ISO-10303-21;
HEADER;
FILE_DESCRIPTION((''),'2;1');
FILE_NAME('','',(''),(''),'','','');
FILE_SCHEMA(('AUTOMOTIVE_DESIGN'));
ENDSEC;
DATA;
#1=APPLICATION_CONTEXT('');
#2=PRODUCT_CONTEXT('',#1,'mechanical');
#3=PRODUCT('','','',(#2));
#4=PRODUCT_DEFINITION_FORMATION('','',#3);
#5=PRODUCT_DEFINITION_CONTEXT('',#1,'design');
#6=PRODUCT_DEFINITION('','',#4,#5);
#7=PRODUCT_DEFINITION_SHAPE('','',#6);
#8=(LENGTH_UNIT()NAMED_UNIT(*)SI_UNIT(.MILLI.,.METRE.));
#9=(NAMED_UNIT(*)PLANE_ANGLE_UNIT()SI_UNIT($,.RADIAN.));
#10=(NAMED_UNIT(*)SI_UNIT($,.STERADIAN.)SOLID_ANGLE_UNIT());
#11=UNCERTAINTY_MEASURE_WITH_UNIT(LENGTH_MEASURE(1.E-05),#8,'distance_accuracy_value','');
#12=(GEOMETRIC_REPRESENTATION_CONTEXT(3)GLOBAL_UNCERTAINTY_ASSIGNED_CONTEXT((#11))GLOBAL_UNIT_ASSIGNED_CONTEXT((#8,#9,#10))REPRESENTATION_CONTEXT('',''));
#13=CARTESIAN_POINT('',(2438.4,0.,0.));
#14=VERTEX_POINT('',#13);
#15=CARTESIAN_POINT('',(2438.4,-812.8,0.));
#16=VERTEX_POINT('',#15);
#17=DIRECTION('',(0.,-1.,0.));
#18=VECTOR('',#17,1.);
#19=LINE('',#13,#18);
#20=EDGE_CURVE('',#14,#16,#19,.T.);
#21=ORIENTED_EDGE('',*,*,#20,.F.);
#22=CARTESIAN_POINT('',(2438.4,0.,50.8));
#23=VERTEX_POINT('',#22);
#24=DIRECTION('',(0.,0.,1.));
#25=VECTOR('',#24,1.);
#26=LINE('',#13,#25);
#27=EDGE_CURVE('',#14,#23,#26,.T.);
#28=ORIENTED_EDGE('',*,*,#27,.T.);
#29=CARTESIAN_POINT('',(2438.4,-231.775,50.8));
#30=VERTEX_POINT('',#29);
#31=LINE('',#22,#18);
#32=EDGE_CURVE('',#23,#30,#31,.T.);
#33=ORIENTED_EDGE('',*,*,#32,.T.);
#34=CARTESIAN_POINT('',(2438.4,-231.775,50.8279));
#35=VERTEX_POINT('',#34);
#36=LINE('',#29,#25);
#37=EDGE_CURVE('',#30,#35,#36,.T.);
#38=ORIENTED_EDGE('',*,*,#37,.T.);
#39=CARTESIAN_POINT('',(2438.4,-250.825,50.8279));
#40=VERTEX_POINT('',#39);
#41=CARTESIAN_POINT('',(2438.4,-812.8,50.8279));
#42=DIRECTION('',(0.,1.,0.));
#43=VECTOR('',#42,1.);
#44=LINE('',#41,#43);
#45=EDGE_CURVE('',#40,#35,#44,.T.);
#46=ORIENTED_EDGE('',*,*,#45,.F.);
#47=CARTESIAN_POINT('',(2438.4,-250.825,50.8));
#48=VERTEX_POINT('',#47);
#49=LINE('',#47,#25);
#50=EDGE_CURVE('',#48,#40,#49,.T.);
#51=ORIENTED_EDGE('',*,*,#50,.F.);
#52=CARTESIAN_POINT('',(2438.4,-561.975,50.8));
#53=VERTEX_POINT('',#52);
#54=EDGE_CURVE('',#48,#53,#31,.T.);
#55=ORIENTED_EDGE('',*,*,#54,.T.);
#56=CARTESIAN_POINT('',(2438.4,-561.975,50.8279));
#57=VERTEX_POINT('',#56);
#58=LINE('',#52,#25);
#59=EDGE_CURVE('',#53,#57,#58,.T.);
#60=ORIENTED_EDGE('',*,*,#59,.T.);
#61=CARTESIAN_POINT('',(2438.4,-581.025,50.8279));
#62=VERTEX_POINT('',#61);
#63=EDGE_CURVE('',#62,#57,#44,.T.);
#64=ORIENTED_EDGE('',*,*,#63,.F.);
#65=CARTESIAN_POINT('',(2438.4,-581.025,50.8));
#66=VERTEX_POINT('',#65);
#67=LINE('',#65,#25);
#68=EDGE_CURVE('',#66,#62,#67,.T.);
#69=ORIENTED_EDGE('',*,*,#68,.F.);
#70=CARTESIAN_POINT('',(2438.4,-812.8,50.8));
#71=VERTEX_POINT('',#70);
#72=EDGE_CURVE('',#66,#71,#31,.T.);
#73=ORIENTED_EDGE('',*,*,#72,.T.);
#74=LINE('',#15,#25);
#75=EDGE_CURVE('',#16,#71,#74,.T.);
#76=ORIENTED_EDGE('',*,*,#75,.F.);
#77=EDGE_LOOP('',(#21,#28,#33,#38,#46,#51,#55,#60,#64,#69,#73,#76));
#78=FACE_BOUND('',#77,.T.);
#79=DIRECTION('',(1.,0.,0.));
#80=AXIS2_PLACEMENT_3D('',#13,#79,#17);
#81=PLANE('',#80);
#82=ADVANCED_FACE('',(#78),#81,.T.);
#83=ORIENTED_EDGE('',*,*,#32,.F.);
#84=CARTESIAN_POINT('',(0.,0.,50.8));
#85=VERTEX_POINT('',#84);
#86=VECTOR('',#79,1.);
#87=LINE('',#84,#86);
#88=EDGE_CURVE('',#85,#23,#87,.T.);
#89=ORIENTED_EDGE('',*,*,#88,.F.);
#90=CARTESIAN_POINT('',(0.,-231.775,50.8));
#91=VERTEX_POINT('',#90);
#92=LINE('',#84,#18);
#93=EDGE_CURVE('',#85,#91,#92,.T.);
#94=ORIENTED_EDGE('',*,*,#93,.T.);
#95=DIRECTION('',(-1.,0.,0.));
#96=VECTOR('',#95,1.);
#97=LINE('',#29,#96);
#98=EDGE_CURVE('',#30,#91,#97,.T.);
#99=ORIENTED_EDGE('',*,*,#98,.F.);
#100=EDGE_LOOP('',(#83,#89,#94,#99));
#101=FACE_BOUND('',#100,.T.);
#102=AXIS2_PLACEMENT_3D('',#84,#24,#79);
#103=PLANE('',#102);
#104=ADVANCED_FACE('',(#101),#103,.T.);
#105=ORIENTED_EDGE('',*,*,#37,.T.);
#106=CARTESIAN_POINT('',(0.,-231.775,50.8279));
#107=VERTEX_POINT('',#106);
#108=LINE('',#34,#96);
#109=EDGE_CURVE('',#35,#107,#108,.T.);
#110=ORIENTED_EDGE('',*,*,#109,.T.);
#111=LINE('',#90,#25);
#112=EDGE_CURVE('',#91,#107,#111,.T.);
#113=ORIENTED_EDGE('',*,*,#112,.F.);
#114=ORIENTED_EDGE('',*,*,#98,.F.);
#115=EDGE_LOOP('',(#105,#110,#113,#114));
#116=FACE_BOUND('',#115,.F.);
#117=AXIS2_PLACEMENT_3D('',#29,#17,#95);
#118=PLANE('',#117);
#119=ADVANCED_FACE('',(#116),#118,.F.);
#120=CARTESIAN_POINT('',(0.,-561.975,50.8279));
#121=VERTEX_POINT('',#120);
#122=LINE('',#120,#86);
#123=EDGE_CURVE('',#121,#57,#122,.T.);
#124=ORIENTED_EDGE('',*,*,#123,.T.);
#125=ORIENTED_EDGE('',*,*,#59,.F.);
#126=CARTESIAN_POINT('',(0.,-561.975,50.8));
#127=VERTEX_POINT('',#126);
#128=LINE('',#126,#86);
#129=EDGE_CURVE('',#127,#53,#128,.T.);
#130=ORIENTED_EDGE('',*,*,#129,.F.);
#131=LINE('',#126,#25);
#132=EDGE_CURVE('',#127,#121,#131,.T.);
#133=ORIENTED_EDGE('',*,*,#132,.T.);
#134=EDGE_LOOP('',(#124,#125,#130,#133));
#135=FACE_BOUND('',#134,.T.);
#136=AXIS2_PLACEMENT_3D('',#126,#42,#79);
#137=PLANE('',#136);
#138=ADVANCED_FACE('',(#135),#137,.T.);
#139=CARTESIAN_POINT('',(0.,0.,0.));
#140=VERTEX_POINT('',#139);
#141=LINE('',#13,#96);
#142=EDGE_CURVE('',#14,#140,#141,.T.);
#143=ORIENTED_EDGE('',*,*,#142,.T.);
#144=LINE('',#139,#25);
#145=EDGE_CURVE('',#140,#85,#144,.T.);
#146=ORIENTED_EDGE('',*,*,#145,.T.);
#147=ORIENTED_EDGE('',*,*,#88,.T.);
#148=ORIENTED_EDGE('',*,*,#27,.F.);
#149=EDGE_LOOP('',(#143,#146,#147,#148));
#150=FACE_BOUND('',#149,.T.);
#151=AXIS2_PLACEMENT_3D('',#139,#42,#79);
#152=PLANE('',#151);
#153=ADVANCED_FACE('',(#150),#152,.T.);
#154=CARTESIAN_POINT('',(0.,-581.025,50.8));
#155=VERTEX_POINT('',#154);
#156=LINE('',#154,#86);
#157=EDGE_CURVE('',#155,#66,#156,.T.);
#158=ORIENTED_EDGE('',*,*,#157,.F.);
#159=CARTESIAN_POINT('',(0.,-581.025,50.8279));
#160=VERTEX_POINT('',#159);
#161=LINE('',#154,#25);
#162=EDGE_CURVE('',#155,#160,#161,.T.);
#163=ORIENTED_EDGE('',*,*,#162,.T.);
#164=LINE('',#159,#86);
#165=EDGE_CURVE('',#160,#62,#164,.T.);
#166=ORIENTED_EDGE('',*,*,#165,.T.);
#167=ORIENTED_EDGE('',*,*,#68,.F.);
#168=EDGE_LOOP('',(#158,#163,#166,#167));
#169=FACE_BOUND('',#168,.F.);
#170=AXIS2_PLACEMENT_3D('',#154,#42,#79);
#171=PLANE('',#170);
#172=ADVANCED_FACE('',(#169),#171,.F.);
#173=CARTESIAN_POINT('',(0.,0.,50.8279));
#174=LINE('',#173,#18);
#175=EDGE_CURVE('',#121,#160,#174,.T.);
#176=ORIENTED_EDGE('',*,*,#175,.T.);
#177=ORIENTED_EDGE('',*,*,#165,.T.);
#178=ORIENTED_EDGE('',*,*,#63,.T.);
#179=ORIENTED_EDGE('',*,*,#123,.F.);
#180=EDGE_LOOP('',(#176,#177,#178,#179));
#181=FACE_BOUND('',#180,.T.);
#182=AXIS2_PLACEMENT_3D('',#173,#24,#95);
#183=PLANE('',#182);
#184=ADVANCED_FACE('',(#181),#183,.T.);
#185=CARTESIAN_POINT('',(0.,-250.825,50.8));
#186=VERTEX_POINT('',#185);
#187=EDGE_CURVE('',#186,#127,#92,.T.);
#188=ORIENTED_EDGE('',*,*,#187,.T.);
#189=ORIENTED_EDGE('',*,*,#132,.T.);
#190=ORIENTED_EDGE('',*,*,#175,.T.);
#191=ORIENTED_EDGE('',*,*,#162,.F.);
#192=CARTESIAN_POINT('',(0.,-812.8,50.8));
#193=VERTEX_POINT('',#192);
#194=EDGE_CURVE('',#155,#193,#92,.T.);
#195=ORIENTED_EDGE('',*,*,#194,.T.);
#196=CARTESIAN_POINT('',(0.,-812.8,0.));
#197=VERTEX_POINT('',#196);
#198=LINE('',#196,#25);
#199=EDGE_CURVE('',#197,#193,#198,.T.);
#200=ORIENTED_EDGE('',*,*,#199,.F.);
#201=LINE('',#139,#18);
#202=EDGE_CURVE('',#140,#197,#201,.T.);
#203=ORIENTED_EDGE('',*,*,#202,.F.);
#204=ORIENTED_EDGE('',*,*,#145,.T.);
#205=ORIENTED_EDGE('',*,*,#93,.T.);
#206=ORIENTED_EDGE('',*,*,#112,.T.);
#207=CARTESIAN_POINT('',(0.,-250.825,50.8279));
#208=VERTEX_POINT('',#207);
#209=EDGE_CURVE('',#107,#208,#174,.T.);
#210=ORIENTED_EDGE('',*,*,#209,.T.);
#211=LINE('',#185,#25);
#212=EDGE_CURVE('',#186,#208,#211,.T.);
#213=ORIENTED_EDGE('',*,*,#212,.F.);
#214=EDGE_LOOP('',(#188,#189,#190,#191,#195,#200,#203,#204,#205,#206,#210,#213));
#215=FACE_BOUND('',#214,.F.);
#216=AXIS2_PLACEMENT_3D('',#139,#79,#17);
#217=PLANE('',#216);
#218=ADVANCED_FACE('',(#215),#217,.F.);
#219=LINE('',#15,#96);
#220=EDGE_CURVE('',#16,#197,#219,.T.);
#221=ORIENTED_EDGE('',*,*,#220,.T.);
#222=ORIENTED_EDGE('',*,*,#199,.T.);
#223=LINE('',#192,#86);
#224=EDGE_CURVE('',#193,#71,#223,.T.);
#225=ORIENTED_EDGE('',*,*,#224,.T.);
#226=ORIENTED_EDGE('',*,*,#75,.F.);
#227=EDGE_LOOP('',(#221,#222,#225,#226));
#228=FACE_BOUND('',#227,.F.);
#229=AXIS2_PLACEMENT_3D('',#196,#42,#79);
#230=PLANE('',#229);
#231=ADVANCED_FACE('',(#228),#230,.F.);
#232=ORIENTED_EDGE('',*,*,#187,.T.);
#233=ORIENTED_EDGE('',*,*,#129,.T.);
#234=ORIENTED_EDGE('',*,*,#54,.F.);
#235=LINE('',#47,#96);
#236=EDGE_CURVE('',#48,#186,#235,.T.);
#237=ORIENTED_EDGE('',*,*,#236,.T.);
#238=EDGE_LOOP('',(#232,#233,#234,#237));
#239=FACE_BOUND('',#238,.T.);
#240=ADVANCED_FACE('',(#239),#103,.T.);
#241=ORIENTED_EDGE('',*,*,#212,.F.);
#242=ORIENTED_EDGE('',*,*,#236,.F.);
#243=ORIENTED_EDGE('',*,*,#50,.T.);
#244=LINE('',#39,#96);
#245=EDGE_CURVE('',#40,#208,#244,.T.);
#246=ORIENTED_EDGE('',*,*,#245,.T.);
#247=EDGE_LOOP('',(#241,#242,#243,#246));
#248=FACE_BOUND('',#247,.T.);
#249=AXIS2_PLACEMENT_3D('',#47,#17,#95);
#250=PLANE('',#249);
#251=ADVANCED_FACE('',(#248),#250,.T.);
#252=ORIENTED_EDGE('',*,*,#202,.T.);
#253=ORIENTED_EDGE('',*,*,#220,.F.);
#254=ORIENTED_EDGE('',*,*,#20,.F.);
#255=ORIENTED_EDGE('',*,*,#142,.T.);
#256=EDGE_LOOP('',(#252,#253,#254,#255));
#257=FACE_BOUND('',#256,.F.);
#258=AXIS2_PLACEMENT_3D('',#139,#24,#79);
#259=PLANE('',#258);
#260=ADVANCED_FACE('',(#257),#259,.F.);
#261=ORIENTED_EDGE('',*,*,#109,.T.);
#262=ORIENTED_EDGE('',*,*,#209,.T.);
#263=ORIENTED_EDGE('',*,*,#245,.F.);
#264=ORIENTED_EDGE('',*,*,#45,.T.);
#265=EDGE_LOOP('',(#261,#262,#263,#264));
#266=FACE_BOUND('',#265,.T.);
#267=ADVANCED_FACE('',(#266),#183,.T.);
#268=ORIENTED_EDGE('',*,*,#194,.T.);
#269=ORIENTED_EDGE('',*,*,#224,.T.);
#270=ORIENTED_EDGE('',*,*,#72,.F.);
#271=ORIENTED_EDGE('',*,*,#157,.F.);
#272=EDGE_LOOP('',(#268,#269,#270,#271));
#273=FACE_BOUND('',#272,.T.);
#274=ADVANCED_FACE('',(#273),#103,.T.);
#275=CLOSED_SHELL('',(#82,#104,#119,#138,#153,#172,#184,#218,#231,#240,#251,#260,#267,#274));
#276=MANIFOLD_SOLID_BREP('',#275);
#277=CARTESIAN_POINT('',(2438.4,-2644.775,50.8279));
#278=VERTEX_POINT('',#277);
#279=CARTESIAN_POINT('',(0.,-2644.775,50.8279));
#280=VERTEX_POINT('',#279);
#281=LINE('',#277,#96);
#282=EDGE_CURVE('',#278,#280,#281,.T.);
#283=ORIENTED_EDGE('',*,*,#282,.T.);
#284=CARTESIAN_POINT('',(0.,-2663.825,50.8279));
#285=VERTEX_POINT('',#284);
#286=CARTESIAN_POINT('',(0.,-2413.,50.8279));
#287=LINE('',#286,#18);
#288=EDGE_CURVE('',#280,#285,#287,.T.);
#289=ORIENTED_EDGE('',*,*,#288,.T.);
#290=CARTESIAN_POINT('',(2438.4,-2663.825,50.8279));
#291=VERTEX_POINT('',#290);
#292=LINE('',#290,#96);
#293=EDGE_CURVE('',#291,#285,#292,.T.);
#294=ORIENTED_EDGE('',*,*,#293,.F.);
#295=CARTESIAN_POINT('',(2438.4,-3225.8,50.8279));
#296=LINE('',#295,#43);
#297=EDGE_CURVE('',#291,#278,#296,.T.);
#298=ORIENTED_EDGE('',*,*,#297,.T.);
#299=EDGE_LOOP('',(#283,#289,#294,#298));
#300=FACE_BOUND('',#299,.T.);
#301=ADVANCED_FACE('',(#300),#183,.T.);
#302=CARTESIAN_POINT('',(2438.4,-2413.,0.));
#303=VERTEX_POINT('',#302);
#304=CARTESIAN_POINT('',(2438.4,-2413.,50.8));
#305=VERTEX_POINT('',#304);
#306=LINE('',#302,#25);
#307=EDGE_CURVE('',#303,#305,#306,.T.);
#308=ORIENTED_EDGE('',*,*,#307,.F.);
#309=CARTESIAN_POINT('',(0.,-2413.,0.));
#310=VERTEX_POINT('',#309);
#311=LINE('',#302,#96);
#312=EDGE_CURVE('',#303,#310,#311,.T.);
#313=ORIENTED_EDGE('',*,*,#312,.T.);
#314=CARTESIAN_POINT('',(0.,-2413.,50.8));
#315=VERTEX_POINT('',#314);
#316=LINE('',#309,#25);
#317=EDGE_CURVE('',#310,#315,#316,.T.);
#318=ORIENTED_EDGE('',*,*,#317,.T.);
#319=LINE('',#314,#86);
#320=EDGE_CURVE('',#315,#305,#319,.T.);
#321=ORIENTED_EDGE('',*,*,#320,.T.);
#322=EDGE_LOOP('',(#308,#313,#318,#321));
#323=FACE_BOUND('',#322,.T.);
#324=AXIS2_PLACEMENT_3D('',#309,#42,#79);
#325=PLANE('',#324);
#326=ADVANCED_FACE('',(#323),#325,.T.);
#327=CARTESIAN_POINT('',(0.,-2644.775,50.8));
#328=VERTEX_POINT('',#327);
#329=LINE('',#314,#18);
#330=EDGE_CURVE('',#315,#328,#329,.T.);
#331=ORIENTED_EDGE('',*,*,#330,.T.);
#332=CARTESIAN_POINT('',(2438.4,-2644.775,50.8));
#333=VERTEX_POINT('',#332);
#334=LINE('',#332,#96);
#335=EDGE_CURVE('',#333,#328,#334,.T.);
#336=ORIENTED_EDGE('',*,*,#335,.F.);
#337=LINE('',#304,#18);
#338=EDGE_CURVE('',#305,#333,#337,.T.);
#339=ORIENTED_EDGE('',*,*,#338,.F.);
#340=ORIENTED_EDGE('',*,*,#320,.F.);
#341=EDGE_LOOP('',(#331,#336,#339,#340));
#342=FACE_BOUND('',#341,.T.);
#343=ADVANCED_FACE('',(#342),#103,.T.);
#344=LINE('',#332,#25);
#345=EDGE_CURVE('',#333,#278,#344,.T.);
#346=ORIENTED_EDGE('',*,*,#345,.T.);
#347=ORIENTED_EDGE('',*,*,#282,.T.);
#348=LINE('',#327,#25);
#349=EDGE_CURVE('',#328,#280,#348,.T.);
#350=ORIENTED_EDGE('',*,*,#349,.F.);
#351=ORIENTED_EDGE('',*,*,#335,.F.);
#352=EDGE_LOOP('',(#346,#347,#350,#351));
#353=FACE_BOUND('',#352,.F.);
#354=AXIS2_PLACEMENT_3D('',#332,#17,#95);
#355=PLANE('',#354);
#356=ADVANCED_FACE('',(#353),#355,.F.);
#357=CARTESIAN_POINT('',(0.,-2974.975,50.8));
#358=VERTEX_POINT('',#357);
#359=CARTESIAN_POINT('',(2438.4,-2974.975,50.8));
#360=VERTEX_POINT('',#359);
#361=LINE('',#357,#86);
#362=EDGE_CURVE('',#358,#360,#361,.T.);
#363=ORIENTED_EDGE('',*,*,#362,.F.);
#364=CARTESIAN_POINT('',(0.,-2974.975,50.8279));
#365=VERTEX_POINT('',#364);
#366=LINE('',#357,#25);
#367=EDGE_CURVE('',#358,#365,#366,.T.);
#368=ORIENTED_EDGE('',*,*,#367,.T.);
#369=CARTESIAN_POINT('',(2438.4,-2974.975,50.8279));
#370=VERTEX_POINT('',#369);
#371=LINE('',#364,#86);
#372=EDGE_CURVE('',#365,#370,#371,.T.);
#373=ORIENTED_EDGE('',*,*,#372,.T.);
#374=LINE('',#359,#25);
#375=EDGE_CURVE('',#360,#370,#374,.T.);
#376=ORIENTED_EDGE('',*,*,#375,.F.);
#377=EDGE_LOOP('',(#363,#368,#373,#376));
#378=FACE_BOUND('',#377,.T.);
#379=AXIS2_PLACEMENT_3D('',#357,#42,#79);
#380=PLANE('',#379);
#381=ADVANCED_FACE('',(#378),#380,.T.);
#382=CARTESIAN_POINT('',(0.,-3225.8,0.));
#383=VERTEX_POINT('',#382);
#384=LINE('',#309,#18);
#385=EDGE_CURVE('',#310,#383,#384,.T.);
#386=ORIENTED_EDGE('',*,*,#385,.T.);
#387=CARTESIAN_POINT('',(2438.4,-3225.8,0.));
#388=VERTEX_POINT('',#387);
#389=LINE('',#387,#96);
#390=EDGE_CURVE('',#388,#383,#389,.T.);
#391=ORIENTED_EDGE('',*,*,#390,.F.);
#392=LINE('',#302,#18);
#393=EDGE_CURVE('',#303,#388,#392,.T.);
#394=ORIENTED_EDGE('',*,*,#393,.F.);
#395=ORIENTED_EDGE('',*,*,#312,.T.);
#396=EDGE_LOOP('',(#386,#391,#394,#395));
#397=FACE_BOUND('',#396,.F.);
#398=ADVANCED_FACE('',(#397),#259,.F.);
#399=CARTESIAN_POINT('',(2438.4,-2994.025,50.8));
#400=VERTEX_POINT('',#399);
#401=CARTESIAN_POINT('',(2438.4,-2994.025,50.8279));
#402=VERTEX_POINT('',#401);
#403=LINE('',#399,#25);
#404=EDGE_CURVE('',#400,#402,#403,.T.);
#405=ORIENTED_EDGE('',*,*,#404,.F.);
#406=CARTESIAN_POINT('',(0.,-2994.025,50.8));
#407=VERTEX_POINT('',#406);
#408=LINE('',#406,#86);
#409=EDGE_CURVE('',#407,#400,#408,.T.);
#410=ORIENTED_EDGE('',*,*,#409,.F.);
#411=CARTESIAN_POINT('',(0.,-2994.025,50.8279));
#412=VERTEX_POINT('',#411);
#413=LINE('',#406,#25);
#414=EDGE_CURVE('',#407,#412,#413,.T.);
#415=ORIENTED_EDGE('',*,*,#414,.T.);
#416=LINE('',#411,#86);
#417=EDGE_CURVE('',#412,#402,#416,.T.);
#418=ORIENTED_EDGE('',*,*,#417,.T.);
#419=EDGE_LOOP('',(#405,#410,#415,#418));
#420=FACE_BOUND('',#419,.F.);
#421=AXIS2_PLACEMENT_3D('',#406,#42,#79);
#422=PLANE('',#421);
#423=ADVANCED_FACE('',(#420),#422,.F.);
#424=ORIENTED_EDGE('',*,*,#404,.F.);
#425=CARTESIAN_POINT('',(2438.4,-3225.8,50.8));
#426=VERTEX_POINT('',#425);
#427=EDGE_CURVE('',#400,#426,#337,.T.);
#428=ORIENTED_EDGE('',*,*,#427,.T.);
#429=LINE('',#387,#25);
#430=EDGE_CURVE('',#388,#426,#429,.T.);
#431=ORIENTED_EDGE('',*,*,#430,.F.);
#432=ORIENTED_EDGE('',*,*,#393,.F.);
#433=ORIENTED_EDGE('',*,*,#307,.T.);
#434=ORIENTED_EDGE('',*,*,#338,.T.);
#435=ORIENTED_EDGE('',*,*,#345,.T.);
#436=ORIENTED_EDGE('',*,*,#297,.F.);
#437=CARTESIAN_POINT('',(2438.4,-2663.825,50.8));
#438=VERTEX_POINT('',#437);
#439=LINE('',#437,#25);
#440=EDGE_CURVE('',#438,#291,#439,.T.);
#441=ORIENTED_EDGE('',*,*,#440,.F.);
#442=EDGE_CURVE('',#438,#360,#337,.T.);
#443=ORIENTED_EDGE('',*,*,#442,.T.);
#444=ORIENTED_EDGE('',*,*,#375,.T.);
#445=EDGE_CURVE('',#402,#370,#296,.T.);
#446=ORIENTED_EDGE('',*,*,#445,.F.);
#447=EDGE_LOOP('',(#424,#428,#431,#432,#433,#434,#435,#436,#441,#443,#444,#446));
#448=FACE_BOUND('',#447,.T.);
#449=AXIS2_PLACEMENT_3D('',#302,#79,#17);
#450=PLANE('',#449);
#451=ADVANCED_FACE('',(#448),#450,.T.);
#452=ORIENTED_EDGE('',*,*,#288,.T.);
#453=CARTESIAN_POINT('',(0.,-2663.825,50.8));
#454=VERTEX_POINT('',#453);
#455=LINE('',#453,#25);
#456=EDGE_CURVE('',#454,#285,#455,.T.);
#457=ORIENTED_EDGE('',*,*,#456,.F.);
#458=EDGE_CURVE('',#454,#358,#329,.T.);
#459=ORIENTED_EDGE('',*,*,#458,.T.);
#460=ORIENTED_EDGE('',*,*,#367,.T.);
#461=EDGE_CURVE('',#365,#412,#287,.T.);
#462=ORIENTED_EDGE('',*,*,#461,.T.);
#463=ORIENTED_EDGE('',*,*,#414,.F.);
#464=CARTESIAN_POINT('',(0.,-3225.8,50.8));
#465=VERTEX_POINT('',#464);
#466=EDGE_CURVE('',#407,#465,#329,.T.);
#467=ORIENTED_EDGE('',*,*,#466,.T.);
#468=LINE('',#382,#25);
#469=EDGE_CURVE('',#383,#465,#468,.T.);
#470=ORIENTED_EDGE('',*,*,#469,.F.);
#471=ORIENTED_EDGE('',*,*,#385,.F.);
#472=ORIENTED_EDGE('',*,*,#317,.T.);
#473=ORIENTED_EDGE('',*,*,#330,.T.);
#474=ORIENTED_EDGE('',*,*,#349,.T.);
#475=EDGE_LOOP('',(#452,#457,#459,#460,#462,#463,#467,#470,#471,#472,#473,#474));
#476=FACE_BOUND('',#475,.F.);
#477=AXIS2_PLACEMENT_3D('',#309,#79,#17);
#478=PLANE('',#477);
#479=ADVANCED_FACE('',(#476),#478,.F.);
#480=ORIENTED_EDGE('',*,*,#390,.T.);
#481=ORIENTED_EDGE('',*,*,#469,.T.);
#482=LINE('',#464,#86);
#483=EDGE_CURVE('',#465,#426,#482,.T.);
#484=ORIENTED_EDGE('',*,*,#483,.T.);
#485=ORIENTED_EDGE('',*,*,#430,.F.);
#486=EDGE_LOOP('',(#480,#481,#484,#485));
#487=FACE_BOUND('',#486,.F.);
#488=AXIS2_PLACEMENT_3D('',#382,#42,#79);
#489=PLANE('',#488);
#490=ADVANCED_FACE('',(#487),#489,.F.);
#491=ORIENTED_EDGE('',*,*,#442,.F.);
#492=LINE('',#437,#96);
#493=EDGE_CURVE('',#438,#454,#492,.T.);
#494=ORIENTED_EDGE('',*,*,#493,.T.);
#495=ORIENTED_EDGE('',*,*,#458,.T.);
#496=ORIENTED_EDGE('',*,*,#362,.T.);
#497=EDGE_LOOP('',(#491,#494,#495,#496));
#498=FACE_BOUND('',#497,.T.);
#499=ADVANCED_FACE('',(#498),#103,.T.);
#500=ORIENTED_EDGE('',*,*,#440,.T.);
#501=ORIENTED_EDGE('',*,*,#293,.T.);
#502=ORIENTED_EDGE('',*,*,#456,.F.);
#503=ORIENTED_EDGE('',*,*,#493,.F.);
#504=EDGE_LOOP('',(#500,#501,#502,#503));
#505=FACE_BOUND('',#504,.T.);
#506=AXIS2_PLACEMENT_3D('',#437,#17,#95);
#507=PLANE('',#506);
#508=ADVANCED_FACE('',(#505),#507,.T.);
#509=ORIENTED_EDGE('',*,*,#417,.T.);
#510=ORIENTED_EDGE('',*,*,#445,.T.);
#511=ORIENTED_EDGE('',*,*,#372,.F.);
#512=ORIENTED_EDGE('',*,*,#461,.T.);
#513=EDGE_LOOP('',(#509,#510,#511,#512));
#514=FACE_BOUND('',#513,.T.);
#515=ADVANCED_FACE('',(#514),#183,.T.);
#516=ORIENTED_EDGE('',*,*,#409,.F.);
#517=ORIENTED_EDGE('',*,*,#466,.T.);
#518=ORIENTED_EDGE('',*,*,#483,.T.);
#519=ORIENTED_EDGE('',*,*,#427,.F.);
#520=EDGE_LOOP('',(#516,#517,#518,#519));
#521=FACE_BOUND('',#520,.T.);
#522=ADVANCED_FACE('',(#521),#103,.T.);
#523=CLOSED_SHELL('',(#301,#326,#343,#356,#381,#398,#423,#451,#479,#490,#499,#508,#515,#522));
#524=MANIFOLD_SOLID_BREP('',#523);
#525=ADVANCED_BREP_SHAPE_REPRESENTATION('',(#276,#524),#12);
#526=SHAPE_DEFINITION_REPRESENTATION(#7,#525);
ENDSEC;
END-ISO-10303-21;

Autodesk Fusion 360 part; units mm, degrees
sketch "Sketch1" plane through (0, 0, 0) normal (0, 0, 1) x (1, 0, 0)
  line L0 (0, 0) -> (0, -812.8)
  line L1 (0, -812.8) -> (0, -2413)
  line L2 (0, -2413) -> (0, -3225.8)
  line L3 (0, 0) -> (1219.2, 0)
  line L4 (1219.2, 0) -> (0, 0)
  line L5 (0, 0) -> (0, -812.8)
  line L6 (0, -812.8) -> (1219.2, -812.8)
  line L7 (1219.2, -812.8) -> (1219.2, 0)
  line L8 (0, -3225.8) -> (1219.2, -3225.8)
  line L9 (1219.2, -3225.8) -> (0, -3225.8)
  line L10 (0, -3225.8) -> (0, -2413)
  line L11 (0, -2413) -> (1219.2, -2413)
  line L12 (1219.2, -2413) -> (1219.2, -3225.8)
  line L13 (1219.2, -812.8) -> (1219.2, 0)
  line L14 (1219.2, 0) -> (2438.4, 0)
  line L15 (2438.4, 0) -> (2438.4, -812.8)
  line L16 (2438.4, -812.8) -> (1219.2, -812.8)
  line L17 (1219.2, -3225.8) -> (1219.2, -2413)
  line L18 (1219.2, -2413) -> (2438.4, -2413)
  line L19 (2438.4, -2413) -> (2438.4, -3225.8)
  line L20 (2438.4, -3225.8) -> (1219.2, -3225.8)
  dimension "d1" = 812.8
  dimension "d2" = 1600.2
  dimension "d3" = 812.8
  dimension "d4" = 1219.2
  dimension "d5" = 1219.2
  dimension "d8" = 1219.2
  dimension "d9" = 1219.2
extrude "Extrude2" add sketch "Sketch1" along normal blind 50.8 makes body 1 at (812.8, -270.9333, 0) makes body 2 at (812.8, -2954.8667, 0)
sketch "Sketch2" plane through (0, 0, 50.8) normal (0, 0, 1) x (-1, 0, 0)
  line L0 (-2438.4, 0) -> (0, 0)
  line L1 (0, 0) -> (0, 812.8)
  line L2 (0, 812.8) -> (-2438.4, 812.8)
  line L3 (-2438.4, 812.8) -> (-2438.4, 0)
  line L4 (-2438.4, 250.825) -> (0, 250.825)
  line L5 (-2438.4, 231.775) -> (0, 231.775)
  line L6 (0, 561.975) -> (-2438.4, 561.975)
  line L7 (0, 581.025) -> (-2438.4, 581.025)
  dimension "d12" = -250.825
  dimension "d13" = -231.775
  dimension "d14" = -250.825
  dimension "d15" = -231.775
extrude "Extrude3" add sketch "Sketch2" along normal blind 0.0279 contours L1 L3 L4 L5 | L1 L3 L6 L7 bodies 1
sketch "Sketch3" plane through (0, 0, 50.8) normal (0, 0, 1) x (-1, 0, 0)
  line L0 (-2438.4, 3225.8) -> (-2438.4, 2413)
  line L1 (-2438.4, 2413) -> (0, 2413)
  line L2 (0, 2413) -> (0, 3225.8)
  line L3 (0, 3225.8) -> (-2438.4, 3225.8)
  line L4 (-2438.4, 2663.825) -> (0, 2663.825)
  line L5 (-2438.4, 2644.775) -> (0, 2644.775)
  line L6 (0, 2974.975) -> (-2438.4, 2974.975)
  line L7 (0, 2994.025) -> (-2438.4, 2994.025)
  dimension "d18" = -250.825
  dimension "d19" = -231.775
  dimension "d20" = -250.825
  dimension "d21" = -231.775
extrude "Extrude4" add sketch "Sketch3" along normal blind 0.0279 contours L0 L2 L6 L7 | L0 L2 L4 L5 bodies 2
equation "d4 = ( 24 * 2 ) * 1 in"
equation "d5 = ( 24 * 2 ) * 1 in"
equation "d8 = ( 24 * 2 ) * 1 in"
equation "d9 = ( 24 * 2 ) * 1 in"
